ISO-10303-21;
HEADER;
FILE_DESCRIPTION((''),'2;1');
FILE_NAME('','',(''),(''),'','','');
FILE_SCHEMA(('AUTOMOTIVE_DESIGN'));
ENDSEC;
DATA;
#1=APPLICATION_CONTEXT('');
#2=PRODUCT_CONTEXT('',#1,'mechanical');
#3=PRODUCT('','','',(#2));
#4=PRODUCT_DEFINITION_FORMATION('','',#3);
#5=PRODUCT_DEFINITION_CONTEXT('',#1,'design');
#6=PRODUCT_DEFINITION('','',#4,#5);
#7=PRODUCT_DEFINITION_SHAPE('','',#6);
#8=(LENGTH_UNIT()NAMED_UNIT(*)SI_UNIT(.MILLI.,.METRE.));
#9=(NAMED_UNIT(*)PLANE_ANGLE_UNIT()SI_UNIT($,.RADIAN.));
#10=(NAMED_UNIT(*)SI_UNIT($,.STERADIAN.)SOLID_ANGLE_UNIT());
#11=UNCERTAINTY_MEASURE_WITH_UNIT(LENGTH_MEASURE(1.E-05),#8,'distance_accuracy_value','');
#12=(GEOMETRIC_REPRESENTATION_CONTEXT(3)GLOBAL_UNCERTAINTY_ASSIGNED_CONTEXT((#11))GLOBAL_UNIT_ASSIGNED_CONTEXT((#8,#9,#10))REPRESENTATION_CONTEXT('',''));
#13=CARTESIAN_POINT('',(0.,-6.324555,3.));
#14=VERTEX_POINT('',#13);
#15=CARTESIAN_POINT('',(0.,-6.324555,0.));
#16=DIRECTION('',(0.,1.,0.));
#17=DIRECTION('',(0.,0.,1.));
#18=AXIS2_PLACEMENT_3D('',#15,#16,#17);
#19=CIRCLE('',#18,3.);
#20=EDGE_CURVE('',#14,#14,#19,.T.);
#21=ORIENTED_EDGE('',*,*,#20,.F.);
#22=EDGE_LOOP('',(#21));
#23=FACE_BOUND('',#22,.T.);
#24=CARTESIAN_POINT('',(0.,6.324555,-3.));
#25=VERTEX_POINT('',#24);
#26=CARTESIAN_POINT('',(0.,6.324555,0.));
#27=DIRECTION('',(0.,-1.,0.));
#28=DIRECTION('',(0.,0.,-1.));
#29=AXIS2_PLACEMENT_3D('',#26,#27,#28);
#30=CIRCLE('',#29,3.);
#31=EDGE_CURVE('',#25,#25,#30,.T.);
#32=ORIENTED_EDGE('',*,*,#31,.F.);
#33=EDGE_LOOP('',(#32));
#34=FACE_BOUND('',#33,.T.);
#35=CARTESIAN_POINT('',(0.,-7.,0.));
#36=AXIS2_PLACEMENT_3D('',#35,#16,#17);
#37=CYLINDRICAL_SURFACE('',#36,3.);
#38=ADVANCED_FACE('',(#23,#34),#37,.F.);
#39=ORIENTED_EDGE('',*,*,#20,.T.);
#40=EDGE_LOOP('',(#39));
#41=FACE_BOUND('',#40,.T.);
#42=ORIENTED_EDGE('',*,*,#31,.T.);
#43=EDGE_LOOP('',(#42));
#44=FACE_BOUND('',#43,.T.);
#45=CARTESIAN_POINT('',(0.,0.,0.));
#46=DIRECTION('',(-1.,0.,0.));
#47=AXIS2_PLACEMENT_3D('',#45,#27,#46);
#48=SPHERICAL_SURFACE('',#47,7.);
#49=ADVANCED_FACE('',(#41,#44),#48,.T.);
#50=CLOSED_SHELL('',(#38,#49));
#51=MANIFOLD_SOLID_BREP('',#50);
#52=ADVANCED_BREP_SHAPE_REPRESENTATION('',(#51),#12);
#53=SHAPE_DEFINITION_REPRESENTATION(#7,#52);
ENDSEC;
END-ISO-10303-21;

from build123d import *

# Parameters (mm, degrees)
SKETCH2_R               = 3
CUT_EXTRUDE1_DEPTH      = 8
CUT_EXTRUDE1_DEPTH_BACK = 8


with BuildPart() as part:
    # Sketch1 → Revolve1 (revolve)
    with BuildSketch(Plane.XY):
        with BuildLine():
            ThreePointArc((0, 7), (7, 0), (0, -7))
            Line((0, -7), (0, 7))
        make_face()
    revolve(axis=Axis((0, -7, 0), (0, 1, 0)))

    # Sketch2 → Cut-Extrude1 (cut, two sides)
    with BuildSketch(Plane(origin=(0, 0, 0), x_dir=(1, 0, 0), z_dir=(0, 1, 0))) as cut_extrude1_sk:
        Circle(SKETCH2_R)
    extrude(amount=CUT_EXTRUDE1_DEPTH, mode=Mode.SUBTRACT)
    extrude(cut_extrude1_sk.sketch, amount=-CUT_EXTRUDE1_DEPTH_BACK, mode=Mode.SUBTRACT)


solid = part.part
